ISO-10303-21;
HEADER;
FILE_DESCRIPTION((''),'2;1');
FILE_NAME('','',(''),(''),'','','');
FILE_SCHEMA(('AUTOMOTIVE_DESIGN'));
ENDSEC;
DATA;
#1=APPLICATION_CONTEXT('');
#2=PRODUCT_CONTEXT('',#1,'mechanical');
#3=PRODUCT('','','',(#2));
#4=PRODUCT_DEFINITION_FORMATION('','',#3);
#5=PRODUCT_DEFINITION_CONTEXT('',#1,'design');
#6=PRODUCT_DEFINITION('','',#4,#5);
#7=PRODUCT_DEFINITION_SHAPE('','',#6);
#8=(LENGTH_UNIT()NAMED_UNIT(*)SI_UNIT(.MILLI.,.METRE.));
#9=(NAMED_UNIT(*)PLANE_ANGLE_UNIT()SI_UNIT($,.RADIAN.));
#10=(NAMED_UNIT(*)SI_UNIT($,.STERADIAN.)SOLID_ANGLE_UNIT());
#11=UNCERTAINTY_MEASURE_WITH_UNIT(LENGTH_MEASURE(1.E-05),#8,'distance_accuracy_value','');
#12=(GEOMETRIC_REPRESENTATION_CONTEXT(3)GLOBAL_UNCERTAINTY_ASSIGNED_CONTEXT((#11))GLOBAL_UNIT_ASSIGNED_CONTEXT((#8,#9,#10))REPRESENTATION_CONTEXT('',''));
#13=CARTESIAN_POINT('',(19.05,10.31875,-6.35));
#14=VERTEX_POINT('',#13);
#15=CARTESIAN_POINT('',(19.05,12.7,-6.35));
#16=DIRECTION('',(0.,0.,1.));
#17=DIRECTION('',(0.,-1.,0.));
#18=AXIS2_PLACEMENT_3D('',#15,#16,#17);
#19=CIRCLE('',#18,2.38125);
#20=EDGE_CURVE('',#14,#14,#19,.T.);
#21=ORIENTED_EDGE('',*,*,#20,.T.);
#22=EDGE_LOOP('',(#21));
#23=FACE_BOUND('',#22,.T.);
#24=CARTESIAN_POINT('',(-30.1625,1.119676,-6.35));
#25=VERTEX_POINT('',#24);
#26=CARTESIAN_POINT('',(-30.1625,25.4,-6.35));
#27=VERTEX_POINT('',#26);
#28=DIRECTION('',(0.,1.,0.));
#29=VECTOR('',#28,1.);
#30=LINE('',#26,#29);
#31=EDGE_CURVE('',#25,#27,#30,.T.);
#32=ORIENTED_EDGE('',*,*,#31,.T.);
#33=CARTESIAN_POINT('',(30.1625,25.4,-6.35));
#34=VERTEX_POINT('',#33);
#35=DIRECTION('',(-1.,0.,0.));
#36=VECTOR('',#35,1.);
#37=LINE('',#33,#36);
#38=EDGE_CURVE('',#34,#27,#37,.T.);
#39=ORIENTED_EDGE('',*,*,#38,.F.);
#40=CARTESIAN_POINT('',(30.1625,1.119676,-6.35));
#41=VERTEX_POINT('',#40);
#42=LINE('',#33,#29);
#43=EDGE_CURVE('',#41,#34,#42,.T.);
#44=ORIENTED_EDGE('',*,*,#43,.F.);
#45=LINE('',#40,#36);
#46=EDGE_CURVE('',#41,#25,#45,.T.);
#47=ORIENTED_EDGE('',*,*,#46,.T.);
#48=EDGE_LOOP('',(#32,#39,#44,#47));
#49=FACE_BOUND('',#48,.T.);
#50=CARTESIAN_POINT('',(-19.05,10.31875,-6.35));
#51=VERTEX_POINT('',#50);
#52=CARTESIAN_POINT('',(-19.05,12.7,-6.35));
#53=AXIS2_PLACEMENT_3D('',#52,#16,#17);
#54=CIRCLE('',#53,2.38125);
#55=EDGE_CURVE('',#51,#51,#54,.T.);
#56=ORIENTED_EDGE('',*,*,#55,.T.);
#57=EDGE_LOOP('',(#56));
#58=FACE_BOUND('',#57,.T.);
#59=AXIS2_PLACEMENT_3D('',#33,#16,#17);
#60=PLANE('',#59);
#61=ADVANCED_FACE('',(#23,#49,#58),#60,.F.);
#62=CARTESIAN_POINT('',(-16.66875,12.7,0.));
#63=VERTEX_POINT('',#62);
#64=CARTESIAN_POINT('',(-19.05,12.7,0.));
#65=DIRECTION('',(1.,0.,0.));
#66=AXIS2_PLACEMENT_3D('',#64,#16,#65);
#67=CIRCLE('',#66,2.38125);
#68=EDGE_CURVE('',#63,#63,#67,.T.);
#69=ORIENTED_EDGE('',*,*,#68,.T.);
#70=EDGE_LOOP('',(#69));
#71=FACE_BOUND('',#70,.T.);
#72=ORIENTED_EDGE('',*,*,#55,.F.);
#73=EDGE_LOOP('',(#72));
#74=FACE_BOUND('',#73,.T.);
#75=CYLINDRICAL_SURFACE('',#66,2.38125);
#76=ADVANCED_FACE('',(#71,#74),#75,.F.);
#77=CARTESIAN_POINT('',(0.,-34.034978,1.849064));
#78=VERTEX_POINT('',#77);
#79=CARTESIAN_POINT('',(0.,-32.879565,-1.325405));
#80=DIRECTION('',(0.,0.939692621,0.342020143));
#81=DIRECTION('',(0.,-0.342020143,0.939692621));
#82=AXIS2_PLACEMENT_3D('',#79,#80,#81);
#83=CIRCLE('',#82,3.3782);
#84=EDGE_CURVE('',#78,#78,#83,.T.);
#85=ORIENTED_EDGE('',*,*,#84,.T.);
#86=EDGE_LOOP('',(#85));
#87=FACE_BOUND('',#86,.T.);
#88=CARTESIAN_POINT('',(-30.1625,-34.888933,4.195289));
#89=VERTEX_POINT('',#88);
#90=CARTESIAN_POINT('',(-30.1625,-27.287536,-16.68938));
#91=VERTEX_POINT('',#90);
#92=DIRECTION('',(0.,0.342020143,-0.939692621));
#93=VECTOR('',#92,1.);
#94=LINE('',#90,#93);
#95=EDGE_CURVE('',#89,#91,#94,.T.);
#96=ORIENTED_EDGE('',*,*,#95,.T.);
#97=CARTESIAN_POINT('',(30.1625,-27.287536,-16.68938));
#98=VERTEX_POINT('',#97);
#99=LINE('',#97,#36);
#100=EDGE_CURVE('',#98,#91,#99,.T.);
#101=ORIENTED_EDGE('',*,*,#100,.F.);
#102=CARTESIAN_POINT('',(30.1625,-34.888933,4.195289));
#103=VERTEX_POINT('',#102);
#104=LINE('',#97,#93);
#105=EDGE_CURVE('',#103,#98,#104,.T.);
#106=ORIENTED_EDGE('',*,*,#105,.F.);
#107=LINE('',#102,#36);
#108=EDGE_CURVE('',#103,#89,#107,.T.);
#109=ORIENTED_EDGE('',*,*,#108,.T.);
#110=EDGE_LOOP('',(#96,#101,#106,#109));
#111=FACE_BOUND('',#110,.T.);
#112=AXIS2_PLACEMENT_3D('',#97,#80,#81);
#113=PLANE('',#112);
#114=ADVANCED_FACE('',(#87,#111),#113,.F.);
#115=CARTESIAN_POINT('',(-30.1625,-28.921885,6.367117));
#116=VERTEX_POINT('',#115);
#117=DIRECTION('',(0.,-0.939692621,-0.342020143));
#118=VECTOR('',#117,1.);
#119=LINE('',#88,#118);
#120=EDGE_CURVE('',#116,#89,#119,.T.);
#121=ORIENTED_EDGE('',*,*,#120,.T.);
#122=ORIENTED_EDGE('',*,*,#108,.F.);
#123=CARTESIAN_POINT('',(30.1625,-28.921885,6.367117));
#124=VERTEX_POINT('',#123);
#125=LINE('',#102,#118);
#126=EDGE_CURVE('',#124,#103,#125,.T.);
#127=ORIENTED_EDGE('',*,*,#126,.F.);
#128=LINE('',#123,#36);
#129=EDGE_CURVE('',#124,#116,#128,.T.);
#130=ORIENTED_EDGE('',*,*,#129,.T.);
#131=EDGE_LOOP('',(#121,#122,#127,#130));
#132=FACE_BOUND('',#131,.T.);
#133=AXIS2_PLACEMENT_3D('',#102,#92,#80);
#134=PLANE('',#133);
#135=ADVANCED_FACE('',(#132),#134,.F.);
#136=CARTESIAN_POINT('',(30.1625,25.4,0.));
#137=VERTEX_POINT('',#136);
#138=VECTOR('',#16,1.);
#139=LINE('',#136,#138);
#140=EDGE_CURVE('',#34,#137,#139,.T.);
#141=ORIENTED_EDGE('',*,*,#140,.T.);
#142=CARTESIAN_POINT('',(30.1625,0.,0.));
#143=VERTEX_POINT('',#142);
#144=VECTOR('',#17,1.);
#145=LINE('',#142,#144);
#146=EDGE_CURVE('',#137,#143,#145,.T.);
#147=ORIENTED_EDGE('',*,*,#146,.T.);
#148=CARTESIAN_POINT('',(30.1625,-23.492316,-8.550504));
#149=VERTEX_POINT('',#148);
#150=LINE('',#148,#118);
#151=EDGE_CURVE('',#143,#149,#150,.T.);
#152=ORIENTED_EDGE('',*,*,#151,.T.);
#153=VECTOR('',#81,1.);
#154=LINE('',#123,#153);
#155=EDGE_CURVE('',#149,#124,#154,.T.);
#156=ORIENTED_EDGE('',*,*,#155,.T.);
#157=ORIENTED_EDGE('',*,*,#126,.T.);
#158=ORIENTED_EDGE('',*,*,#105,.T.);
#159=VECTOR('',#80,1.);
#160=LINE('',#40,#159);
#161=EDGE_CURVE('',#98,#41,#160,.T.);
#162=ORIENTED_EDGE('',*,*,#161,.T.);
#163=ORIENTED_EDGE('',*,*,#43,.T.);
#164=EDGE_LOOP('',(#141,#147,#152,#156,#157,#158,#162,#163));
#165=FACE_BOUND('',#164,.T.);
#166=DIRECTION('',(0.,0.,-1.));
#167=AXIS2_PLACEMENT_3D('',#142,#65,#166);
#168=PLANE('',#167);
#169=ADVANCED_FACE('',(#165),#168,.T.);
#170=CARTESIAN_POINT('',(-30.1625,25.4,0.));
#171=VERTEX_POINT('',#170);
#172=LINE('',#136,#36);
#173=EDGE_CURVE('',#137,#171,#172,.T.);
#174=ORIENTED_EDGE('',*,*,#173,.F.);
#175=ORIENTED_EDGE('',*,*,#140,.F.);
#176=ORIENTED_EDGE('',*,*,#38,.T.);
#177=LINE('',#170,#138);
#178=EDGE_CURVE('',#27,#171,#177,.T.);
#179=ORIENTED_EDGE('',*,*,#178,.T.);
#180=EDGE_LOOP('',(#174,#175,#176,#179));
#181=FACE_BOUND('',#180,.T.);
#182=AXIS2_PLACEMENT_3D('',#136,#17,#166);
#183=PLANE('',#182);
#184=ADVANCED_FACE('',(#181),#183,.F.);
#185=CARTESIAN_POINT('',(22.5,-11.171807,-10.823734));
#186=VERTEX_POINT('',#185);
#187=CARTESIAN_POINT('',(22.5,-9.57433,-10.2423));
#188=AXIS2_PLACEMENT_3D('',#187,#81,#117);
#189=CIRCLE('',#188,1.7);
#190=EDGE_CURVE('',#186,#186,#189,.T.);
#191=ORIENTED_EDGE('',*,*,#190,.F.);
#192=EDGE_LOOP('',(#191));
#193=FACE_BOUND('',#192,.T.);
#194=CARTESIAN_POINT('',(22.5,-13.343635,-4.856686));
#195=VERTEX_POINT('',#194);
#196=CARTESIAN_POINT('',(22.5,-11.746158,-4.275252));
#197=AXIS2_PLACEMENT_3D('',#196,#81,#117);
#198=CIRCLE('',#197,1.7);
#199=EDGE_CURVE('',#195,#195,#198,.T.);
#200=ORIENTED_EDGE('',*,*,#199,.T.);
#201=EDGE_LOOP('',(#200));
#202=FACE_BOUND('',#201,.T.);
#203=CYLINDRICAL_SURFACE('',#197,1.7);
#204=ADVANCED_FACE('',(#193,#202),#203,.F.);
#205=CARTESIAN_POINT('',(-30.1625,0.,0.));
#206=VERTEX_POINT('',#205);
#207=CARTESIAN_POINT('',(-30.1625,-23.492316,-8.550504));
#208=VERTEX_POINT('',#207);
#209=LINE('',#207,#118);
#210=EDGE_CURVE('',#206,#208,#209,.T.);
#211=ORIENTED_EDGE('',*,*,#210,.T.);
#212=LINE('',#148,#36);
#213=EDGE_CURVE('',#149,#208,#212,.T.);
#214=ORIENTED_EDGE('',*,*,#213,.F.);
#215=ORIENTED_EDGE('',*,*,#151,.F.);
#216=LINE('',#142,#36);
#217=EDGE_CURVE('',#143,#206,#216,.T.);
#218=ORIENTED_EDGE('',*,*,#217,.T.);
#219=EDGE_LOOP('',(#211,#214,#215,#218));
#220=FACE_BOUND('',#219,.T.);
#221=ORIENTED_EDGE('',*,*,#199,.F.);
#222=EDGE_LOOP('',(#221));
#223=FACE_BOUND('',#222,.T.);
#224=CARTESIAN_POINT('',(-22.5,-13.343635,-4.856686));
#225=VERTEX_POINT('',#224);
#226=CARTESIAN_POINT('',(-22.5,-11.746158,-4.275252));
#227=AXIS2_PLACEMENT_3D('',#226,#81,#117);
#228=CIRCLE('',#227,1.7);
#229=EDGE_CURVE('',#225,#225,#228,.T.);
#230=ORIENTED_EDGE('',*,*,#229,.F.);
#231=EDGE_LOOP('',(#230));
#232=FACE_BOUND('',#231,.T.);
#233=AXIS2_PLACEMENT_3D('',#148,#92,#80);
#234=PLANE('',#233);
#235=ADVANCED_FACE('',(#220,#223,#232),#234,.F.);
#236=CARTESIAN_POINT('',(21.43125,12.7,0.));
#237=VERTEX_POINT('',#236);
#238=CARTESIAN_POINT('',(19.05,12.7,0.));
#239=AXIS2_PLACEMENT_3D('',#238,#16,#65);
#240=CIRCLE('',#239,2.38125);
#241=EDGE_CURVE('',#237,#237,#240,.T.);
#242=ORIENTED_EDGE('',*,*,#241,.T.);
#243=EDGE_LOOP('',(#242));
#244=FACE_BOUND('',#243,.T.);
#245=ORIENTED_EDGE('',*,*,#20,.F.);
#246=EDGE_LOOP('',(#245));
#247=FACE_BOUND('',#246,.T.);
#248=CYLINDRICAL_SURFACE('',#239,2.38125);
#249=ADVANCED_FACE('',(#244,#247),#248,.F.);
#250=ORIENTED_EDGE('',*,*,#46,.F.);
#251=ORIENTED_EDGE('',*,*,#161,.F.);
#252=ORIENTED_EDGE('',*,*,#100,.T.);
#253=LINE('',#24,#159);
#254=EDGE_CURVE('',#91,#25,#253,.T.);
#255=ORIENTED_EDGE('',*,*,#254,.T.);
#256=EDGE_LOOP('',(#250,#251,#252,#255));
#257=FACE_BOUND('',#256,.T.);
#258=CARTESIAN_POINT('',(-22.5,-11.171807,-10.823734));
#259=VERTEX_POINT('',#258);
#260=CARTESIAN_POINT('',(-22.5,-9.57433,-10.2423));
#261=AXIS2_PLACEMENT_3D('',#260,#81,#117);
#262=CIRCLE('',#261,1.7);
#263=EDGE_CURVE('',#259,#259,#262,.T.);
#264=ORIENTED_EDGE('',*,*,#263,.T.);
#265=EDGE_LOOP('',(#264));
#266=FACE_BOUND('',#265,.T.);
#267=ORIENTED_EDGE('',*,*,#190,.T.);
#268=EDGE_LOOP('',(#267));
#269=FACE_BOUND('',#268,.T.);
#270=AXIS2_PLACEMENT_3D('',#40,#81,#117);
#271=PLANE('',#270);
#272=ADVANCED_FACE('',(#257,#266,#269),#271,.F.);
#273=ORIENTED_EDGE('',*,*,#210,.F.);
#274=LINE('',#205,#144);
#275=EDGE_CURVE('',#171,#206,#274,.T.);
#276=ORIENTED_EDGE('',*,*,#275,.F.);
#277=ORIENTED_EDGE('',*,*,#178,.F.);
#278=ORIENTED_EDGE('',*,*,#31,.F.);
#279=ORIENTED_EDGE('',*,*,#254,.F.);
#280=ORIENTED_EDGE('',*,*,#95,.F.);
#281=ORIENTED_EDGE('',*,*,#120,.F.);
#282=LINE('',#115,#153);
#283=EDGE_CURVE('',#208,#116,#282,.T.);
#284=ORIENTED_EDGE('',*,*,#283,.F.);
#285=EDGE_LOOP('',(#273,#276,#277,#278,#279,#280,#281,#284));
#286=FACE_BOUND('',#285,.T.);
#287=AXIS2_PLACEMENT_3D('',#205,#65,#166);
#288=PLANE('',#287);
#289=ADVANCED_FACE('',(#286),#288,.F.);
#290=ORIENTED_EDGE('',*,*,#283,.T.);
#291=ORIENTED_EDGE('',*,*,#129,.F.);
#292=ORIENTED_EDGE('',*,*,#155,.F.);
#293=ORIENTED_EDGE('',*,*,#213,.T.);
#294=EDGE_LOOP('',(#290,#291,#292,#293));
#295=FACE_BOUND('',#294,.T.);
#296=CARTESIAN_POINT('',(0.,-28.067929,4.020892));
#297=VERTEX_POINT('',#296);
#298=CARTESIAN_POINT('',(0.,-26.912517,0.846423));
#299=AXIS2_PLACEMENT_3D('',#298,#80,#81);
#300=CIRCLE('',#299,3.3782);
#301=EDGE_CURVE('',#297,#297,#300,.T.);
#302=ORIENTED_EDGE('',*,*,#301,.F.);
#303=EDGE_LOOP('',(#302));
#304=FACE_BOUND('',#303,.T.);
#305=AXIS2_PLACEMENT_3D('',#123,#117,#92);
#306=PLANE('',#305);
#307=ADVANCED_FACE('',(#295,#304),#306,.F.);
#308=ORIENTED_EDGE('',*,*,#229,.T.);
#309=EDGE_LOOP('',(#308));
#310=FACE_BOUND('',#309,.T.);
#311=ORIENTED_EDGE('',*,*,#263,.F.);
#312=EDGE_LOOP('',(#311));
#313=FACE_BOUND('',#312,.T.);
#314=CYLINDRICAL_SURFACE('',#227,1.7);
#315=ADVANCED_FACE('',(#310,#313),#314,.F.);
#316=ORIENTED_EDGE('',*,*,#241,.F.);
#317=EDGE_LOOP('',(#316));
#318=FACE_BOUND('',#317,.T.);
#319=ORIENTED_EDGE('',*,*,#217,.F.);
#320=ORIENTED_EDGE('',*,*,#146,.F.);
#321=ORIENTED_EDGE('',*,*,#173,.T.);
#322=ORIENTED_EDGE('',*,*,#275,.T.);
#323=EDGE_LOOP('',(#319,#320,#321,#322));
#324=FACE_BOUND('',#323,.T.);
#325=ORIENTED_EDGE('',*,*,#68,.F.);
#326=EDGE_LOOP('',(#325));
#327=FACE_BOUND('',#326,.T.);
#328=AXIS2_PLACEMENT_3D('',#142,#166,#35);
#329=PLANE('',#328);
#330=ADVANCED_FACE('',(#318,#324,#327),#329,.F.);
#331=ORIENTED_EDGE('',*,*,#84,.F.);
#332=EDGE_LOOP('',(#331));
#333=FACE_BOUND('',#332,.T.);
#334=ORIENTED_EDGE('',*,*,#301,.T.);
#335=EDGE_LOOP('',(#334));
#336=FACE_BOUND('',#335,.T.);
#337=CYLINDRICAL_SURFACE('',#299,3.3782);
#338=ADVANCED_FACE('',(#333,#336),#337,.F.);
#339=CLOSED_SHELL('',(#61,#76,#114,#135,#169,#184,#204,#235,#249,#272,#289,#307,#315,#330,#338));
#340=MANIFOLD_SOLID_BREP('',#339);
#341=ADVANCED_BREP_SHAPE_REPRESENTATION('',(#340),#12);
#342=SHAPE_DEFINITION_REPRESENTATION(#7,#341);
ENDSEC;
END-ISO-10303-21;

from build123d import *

# Parameters (mm, degrees)
BOSS_EXTRUDE1_DEPTH            = 30.1625
F_1_4_CLEARANCE_HOLE1_D        = 6.7564
M3_CLEARANCE_HOLE1_D           = 3.4
F_3_16_0_1875_DIAMETER_HOLE2_D = 4.7625


with BuildPart() as part:
    # Sketch2 → Boss-Extrude1 (new, symmetric)
    with BuildSketch(Plane(origin=(0, 0, 0), x_dir=(0, 0, -1), z_dir=(1, 0, 0))):
        Polygon((0, 0), (0, 25.4), (6.35, 25.4), (6.35, 1.119676327), (16.689379635, -27.287535752), (-4.195288862, -34.888933437), (-6.367116772, -28.921885295), (8.550503583, -23.49231552), align=None)
    extrude(amount=BOSS_EXTRUDE1_DEPTH, both=True)

    # 1/4 Clearance Hole1 (through all)
    with Locations(Plane(origin=(0, -23.49231552, -8.550503583), x_dir=(1, 0, 0), z_dir=(0, 0.9396926207859081, 0.3420201433256697))):
        with Locations((0, -10)):
            Hole(F_1_4_CLEARANCE_HOLE1_D / 2)

    # M3 Clearance Hole1 (through all)
    with Locations(Plane(origin=(0, 0, 0), x_dir=(1, 0, 0), z_dir=(0, -0.3420201433256693, 0.9396926207859083))):
        with Locations((-22.5, -12.5), (22.5, -12.5)):
            Hole(M3_CLEARANCE_HOLE1_D / 2)

    # 3/16 (0.1875) Diameter Hole2 (through all)
    with Locations(Plane.XY):
        with Locations((-19.05, 12.7), (19.05, 12.7)):
            Hole(F_3_16_0_1875_DIAMETER_HOLE2_D / 2)


solid = part.part
